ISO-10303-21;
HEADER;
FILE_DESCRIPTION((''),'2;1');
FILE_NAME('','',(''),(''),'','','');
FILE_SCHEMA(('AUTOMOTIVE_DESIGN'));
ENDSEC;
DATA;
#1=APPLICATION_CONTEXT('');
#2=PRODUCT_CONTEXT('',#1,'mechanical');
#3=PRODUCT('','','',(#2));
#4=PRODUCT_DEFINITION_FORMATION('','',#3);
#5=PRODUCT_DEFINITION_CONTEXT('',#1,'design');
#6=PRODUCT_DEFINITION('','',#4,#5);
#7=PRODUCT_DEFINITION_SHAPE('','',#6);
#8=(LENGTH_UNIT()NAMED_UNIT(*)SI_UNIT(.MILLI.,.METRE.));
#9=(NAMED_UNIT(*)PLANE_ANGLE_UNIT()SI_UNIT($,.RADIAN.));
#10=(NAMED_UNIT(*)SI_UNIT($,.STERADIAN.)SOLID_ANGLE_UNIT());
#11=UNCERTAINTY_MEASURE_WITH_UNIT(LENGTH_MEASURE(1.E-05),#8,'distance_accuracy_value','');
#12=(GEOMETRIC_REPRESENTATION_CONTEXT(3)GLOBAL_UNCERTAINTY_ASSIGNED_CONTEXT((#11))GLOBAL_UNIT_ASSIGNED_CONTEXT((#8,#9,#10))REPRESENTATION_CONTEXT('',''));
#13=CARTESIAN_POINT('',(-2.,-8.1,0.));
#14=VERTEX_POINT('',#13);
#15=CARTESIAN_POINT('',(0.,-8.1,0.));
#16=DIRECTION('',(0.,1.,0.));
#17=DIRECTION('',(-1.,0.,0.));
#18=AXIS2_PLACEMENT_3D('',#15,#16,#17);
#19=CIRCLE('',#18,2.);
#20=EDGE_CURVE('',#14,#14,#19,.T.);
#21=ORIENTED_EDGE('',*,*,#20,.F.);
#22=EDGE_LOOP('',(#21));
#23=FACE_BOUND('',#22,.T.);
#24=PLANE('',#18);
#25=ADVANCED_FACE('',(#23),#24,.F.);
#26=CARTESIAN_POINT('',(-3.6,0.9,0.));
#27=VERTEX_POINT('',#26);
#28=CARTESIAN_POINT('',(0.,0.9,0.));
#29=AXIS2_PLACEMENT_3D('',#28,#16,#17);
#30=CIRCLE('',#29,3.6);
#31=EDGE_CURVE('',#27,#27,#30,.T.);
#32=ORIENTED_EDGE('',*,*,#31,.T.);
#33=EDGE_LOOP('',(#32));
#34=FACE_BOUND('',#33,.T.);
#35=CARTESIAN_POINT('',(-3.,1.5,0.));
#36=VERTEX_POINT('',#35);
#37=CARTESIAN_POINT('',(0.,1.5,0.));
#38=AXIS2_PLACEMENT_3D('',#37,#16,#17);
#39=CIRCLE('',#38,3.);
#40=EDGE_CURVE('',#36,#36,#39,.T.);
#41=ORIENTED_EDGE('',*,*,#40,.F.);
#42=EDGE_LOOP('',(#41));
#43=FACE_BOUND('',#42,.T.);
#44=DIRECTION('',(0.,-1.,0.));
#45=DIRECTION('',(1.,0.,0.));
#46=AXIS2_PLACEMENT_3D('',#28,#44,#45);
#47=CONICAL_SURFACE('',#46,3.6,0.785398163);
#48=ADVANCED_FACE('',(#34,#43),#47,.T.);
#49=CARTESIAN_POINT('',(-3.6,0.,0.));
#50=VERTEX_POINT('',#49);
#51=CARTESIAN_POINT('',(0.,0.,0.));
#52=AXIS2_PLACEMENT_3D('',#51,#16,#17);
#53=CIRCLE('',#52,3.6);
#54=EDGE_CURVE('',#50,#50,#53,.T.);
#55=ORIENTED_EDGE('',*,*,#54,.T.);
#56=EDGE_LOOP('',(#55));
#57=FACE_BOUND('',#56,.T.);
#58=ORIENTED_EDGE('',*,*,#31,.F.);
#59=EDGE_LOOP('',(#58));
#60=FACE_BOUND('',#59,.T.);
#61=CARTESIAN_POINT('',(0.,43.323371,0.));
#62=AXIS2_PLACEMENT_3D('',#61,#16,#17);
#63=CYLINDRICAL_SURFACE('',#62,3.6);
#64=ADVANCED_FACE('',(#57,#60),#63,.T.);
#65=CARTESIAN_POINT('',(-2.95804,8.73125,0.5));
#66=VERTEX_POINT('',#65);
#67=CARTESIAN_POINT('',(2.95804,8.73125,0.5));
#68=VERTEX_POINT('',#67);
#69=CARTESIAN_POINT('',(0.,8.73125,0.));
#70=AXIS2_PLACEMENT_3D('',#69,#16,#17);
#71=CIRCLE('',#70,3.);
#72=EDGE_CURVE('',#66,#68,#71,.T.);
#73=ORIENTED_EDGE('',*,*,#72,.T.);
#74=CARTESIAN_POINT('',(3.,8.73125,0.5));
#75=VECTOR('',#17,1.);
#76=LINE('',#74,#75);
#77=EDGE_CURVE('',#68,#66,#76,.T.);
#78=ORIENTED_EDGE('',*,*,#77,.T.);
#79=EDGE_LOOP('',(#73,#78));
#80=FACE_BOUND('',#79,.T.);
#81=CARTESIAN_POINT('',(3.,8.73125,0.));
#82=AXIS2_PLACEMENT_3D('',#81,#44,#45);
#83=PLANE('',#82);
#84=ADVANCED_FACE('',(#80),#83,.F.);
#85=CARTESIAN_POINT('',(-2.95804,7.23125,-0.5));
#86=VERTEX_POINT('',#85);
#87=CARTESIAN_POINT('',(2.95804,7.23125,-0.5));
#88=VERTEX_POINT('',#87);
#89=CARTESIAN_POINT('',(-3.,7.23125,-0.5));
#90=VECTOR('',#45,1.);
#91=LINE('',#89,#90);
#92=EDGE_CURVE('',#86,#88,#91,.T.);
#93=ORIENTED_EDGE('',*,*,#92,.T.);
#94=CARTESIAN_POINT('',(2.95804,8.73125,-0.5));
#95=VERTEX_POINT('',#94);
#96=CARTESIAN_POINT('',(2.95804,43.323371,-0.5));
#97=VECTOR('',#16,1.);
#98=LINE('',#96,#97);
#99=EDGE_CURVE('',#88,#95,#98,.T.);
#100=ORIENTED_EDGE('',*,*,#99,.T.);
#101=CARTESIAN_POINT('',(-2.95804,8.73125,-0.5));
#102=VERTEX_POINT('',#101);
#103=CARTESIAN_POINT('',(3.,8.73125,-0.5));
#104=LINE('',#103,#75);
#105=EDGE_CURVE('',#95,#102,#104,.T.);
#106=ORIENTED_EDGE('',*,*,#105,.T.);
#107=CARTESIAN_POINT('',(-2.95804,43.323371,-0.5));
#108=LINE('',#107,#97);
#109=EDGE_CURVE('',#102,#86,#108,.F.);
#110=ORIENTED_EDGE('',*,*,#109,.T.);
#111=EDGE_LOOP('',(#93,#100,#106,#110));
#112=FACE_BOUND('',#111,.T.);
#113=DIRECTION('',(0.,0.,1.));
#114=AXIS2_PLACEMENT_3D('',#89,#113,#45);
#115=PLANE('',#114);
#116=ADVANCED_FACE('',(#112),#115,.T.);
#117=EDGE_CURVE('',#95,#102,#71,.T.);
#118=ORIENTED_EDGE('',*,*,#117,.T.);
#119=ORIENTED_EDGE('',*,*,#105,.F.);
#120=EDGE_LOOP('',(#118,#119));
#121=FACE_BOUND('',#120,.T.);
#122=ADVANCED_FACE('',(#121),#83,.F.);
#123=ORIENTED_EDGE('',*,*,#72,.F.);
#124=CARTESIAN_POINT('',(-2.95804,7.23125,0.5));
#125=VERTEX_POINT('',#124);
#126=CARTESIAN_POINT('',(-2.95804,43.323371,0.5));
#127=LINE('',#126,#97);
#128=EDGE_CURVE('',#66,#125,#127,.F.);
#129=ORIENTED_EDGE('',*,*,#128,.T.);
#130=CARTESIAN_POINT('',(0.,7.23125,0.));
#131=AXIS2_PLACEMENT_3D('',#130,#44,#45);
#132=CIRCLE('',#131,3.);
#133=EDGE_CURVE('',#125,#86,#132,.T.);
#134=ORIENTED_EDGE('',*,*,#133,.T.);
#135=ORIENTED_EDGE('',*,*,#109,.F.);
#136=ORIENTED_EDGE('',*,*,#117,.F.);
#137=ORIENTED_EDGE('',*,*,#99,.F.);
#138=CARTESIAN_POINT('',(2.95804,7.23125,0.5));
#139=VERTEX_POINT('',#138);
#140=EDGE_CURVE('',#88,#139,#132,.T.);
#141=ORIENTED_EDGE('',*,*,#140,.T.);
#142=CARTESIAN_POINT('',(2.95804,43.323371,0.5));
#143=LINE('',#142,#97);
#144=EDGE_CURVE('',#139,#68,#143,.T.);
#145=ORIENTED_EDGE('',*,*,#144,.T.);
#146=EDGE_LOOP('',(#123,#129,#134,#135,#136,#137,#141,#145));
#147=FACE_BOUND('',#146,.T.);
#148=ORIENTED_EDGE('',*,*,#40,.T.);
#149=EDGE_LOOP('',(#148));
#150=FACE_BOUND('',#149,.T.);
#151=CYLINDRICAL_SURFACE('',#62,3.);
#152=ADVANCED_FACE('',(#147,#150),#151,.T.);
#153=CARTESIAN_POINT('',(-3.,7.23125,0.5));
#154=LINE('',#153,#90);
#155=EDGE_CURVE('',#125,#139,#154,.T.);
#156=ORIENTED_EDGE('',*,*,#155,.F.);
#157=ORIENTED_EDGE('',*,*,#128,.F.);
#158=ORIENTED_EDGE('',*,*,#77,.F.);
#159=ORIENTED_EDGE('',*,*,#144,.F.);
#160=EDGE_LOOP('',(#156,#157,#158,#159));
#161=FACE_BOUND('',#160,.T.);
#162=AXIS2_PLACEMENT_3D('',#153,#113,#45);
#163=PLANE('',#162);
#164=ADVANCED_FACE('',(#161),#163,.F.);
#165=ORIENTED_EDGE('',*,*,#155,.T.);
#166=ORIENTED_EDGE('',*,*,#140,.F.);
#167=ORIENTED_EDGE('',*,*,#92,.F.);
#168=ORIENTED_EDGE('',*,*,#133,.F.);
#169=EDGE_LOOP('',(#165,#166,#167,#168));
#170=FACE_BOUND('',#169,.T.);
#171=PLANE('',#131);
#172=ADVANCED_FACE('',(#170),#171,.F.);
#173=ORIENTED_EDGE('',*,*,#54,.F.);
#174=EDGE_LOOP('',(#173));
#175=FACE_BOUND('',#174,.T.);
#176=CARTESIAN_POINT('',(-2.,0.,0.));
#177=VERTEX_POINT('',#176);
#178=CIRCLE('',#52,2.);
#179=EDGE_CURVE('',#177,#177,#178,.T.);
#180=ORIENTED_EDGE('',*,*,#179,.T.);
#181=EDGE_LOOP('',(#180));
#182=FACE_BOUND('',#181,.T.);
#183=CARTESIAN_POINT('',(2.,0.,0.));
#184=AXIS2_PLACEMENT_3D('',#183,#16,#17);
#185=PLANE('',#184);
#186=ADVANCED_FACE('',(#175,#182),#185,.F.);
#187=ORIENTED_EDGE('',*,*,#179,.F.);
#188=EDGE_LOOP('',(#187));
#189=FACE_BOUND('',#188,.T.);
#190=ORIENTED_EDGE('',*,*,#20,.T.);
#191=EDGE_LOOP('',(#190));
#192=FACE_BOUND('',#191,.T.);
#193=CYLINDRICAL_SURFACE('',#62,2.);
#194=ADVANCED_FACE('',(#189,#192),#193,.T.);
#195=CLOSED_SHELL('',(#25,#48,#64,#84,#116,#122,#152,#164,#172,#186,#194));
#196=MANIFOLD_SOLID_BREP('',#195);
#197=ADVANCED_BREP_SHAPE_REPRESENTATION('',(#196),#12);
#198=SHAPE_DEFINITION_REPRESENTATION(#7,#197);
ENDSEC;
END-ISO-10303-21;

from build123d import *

# Parameters (mm, degrees)
SKETCH3_W          = 6
SKETCH3_H          = 1
CUT_EXTRUDE1_DEPTH = 1.5


with BuildPart() as part:
    # Sketch2 → Revolve1 (revolve)
    with BuildSketch(Plane.XY):
        Polygon((0, -8.1), (2, -8.1), (2, 0), (3.6, 0), (3.6, 0.9), (3, 1.5), (3, 8.73125), (0, 8.73125), align=None)
    revolve(axis=Axis((0, 43.323370715, 0), (0, -1, 0)))

    # Sketch3 → Cut-Extrude1 (cut)
    with BuildSketch(Plane(origin=(0, 8.73125, 0), x_dir=(1, 0, 0), z_dir=(0, 1, 0))):
        Rectangle(SKETCH3_W, SKETCH3_H)
    extrude(amount=-CUT_EXTRUDE1_DEPTH, mode=Mode.SUBTRACT)


solid = part.part
